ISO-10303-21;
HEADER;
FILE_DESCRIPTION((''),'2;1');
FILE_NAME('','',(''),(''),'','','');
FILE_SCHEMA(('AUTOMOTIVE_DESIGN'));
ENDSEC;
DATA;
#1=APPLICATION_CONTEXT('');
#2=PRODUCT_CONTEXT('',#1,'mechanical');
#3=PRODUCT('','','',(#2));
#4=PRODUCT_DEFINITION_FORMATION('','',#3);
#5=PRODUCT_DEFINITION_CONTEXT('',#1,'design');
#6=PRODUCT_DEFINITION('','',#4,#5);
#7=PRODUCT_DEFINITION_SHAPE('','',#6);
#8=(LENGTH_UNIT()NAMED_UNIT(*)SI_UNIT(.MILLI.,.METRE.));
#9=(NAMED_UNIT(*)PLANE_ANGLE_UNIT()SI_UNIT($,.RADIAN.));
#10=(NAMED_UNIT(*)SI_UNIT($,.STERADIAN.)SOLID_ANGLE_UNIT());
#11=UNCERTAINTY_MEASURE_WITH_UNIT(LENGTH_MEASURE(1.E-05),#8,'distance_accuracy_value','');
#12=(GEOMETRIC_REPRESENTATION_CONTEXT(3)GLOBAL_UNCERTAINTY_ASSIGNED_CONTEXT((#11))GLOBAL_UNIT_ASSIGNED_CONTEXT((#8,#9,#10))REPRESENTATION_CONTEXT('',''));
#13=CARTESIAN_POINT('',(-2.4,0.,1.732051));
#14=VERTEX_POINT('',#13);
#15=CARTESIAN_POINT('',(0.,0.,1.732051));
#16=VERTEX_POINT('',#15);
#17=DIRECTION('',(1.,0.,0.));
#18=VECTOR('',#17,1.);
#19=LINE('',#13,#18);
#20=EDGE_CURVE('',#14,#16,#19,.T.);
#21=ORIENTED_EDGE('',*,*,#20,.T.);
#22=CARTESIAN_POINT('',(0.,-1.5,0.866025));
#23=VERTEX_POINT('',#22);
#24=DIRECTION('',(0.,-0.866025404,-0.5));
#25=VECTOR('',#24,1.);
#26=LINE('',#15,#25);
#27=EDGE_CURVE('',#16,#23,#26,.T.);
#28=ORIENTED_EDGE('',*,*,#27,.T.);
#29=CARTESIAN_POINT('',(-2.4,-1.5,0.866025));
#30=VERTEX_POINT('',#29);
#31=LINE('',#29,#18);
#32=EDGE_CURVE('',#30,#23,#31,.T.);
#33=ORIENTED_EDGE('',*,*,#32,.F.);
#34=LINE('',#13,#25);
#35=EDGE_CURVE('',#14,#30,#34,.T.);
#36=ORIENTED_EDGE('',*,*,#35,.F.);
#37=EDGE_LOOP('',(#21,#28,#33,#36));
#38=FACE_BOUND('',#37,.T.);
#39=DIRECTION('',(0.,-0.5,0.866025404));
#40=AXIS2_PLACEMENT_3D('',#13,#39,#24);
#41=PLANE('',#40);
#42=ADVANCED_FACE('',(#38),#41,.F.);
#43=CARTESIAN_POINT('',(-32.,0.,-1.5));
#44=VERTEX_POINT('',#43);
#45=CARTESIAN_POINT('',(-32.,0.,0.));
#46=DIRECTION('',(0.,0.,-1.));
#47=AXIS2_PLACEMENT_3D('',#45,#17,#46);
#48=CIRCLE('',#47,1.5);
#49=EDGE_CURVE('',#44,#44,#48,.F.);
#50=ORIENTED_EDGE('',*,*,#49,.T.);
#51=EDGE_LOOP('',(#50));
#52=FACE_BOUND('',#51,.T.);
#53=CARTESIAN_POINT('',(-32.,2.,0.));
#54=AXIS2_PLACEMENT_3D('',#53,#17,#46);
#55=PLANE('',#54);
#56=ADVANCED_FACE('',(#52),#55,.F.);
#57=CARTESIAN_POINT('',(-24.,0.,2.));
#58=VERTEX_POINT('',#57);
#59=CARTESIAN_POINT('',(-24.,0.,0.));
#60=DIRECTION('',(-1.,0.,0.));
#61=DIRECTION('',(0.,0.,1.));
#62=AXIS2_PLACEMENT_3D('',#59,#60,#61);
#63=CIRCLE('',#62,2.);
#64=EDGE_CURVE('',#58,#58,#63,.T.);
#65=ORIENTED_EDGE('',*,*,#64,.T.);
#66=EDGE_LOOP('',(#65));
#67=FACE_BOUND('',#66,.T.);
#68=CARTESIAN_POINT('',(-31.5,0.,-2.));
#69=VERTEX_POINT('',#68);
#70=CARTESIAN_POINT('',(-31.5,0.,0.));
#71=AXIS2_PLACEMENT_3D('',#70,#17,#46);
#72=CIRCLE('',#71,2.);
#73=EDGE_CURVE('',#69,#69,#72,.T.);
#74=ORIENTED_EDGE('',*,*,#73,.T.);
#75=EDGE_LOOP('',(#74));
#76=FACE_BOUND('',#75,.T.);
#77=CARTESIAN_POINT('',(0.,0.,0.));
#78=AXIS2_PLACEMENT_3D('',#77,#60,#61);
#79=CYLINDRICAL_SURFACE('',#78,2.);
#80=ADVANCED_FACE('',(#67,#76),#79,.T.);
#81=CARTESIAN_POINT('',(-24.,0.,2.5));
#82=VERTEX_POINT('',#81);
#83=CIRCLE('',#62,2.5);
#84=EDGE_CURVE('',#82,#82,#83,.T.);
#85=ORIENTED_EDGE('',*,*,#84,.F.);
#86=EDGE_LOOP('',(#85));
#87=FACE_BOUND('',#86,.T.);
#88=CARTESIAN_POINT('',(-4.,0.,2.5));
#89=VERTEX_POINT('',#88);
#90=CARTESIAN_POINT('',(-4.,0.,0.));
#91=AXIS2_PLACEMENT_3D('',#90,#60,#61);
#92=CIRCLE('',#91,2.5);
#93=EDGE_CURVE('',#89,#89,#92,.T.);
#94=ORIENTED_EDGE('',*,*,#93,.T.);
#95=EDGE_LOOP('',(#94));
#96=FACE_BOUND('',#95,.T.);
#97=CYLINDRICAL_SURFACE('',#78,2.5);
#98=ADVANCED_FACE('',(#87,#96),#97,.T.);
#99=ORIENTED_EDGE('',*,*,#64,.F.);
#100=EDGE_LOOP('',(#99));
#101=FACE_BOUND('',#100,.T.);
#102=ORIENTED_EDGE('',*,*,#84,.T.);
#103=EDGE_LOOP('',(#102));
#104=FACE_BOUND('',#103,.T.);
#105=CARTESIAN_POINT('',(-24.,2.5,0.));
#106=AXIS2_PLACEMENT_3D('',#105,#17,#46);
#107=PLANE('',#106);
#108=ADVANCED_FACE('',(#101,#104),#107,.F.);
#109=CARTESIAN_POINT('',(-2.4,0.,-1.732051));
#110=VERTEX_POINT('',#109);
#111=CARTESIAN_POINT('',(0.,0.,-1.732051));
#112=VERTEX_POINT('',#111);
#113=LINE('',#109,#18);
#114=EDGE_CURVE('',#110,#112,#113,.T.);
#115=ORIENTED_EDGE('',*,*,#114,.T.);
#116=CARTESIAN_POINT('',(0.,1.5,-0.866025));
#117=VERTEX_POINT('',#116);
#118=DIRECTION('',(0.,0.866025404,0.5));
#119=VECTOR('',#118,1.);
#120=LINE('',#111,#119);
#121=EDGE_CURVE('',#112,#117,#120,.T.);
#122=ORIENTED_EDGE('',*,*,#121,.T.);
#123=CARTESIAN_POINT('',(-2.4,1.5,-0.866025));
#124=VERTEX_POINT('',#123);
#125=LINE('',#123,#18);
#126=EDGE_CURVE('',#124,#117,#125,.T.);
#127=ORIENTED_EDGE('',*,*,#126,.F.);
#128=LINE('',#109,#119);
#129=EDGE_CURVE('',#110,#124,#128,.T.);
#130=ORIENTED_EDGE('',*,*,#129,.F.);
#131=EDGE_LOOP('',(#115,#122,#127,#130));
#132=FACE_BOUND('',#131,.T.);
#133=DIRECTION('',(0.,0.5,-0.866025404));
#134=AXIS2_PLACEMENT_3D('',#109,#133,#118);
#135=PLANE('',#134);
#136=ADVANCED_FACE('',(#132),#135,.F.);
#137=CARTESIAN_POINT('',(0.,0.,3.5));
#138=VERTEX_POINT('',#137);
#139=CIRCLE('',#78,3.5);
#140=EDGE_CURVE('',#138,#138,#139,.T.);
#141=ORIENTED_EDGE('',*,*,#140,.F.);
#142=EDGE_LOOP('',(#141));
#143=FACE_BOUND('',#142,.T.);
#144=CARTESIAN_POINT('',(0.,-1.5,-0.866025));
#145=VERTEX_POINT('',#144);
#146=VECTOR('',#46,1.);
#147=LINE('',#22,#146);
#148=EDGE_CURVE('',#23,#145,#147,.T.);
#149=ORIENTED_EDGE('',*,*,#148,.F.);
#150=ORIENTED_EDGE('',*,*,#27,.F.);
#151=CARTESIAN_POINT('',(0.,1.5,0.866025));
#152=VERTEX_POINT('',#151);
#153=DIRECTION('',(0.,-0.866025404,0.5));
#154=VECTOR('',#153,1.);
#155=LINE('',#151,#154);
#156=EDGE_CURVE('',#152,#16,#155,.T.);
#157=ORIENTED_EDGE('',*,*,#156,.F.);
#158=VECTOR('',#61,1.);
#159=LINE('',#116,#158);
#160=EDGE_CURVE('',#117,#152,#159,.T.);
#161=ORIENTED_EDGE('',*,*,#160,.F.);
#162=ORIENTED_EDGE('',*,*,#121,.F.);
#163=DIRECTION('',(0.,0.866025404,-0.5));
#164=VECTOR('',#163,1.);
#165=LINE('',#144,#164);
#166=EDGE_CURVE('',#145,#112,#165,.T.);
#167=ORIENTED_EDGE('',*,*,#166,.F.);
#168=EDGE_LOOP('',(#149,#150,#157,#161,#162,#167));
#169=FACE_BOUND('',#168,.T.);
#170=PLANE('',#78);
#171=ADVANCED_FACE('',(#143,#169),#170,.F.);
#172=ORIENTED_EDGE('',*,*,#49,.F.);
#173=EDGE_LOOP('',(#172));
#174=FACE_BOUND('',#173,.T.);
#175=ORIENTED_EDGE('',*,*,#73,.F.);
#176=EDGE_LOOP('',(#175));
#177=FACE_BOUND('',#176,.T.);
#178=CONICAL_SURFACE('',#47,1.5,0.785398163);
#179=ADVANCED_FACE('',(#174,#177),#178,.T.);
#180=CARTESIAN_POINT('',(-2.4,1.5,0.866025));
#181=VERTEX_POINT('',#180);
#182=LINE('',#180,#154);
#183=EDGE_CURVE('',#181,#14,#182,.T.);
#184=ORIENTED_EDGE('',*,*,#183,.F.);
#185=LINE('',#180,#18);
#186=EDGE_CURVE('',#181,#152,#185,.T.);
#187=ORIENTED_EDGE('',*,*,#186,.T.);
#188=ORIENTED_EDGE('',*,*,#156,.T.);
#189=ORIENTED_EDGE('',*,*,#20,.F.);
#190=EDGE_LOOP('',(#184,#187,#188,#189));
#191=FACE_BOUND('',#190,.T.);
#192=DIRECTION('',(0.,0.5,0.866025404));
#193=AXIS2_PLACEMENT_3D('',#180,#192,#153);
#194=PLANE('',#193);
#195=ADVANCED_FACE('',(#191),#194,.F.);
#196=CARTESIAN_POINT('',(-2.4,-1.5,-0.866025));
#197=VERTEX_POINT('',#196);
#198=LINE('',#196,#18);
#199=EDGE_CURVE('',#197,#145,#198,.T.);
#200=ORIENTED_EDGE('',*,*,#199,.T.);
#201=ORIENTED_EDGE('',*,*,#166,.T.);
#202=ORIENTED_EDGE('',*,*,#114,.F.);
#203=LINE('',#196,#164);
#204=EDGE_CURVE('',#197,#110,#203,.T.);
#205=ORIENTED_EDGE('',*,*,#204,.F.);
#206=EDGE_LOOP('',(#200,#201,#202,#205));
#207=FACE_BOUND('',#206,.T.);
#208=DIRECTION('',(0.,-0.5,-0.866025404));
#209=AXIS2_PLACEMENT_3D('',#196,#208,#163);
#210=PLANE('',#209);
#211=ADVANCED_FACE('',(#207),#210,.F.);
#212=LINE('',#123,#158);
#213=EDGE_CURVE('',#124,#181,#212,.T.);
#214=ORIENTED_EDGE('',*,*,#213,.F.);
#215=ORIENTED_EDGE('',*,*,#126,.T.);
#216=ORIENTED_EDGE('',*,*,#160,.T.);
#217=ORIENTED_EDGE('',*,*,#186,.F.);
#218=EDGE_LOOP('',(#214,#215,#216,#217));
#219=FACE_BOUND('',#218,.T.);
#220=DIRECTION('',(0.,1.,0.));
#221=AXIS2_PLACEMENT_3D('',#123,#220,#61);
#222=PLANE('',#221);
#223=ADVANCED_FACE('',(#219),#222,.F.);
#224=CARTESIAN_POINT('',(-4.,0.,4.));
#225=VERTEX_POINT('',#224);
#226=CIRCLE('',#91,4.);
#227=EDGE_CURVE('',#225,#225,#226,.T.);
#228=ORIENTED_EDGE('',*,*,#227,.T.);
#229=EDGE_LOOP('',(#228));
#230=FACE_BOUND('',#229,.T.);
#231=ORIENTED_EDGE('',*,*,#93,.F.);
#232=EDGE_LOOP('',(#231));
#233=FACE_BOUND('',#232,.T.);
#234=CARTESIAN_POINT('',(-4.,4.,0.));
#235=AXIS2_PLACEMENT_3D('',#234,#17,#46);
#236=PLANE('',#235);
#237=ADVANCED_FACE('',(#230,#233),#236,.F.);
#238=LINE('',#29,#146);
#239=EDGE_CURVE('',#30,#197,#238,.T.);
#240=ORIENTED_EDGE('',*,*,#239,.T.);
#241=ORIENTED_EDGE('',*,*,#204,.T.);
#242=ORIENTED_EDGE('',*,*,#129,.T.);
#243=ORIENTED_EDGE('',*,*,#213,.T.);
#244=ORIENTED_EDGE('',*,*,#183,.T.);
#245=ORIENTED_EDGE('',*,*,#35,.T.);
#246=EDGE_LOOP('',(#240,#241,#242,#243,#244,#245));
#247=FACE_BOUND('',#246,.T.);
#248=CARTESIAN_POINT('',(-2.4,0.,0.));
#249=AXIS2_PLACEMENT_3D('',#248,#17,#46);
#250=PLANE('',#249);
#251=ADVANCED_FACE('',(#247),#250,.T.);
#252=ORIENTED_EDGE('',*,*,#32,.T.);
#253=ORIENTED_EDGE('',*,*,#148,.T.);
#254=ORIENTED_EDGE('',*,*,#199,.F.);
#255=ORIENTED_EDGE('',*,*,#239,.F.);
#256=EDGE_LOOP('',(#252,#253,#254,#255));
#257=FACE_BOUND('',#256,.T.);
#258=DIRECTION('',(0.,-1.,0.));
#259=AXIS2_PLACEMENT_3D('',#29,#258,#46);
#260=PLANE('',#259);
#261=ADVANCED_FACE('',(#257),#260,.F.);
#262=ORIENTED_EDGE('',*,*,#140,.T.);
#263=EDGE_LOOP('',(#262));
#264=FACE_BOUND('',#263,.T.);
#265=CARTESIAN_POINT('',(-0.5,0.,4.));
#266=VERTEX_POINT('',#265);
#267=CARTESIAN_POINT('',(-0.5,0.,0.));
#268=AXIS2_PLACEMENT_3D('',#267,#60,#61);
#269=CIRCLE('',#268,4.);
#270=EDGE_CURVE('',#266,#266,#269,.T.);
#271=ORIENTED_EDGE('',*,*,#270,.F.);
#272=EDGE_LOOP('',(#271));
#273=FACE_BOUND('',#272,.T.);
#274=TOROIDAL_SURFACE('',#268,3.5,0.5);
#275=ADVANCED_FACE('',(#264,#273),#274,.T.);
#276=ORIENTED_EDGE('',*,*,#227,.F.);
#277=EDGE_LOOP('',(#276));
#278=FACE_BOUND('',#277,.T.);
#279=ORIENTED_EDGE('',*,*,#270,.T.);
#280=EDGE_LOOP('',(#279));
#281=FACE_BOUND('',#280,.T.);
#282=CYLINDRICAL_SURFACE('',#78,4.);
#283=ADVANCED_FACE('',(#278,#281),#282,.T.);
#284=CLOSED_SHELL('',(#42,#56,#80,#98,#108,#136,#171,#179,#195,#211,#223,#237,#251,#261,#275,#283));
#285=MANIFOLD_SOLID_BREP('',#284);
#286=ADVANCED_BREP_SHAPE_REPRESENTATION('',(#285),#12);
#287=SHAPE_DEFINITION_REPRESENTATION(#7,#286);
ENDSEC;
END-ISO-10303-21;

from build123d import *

# Parameters (mm, degrees)
CHAMFER1_SIZE      = 0.5
CUT_EXTRUDE1_DEPTH = 2.4


with BuildPart() as part:
    # Sketch1 → Revolve1 (revolve)
    with BuildSketch(Plane.XY):
        with BuildLine():
            Line((0, 0), (0, 3.5))
            ThreePointArc((0, 3.5), (-0.146446609, 3.853553391), (-0.5, 4))
            Line((-0.5, 4), (-4, 4))
            Line((-4, 4), (-4, 2.5))
            Line((-4, 2.5), (-24, 2.5))
            Line((-24, 2.5), (-24, 2))
            Line((-24, 2), (-32, 2))
            Line((-32, 2), (-32, 0))
            Line((-32, 0), (0, 0))
        make_face()
    revolve(axis=Axis((0, 0, 0), (1, 0, 0)))

    # Chamfer1
    chamfer1_edges = [part.edges().sort_by_distance(p)[0] for p in [
        (-32, -2, 0),
    ]]
    chamfer(chamfer1_edges, length=CHAMFER1_SIZE)

    # Sketch2 → Cut-Extrude1 (cut)
    with BuildSketch(Plane(origin=(0, 0, 0), x_dir=(0, 0, -1), z_dir=(1, 0, 0))):
        Polygon((1.732050808, 0), (0.866025404, 1.5), (-0.866025404, 1.5), (-1.732050808, 0), (-0.866025404, -1.5), (0.866025404, -1.5), align=None)
    extrude(amount=-CUT_EXTRUDE1_DEPTH, mode=Mode.SUBTRACT)


solid = part.part
